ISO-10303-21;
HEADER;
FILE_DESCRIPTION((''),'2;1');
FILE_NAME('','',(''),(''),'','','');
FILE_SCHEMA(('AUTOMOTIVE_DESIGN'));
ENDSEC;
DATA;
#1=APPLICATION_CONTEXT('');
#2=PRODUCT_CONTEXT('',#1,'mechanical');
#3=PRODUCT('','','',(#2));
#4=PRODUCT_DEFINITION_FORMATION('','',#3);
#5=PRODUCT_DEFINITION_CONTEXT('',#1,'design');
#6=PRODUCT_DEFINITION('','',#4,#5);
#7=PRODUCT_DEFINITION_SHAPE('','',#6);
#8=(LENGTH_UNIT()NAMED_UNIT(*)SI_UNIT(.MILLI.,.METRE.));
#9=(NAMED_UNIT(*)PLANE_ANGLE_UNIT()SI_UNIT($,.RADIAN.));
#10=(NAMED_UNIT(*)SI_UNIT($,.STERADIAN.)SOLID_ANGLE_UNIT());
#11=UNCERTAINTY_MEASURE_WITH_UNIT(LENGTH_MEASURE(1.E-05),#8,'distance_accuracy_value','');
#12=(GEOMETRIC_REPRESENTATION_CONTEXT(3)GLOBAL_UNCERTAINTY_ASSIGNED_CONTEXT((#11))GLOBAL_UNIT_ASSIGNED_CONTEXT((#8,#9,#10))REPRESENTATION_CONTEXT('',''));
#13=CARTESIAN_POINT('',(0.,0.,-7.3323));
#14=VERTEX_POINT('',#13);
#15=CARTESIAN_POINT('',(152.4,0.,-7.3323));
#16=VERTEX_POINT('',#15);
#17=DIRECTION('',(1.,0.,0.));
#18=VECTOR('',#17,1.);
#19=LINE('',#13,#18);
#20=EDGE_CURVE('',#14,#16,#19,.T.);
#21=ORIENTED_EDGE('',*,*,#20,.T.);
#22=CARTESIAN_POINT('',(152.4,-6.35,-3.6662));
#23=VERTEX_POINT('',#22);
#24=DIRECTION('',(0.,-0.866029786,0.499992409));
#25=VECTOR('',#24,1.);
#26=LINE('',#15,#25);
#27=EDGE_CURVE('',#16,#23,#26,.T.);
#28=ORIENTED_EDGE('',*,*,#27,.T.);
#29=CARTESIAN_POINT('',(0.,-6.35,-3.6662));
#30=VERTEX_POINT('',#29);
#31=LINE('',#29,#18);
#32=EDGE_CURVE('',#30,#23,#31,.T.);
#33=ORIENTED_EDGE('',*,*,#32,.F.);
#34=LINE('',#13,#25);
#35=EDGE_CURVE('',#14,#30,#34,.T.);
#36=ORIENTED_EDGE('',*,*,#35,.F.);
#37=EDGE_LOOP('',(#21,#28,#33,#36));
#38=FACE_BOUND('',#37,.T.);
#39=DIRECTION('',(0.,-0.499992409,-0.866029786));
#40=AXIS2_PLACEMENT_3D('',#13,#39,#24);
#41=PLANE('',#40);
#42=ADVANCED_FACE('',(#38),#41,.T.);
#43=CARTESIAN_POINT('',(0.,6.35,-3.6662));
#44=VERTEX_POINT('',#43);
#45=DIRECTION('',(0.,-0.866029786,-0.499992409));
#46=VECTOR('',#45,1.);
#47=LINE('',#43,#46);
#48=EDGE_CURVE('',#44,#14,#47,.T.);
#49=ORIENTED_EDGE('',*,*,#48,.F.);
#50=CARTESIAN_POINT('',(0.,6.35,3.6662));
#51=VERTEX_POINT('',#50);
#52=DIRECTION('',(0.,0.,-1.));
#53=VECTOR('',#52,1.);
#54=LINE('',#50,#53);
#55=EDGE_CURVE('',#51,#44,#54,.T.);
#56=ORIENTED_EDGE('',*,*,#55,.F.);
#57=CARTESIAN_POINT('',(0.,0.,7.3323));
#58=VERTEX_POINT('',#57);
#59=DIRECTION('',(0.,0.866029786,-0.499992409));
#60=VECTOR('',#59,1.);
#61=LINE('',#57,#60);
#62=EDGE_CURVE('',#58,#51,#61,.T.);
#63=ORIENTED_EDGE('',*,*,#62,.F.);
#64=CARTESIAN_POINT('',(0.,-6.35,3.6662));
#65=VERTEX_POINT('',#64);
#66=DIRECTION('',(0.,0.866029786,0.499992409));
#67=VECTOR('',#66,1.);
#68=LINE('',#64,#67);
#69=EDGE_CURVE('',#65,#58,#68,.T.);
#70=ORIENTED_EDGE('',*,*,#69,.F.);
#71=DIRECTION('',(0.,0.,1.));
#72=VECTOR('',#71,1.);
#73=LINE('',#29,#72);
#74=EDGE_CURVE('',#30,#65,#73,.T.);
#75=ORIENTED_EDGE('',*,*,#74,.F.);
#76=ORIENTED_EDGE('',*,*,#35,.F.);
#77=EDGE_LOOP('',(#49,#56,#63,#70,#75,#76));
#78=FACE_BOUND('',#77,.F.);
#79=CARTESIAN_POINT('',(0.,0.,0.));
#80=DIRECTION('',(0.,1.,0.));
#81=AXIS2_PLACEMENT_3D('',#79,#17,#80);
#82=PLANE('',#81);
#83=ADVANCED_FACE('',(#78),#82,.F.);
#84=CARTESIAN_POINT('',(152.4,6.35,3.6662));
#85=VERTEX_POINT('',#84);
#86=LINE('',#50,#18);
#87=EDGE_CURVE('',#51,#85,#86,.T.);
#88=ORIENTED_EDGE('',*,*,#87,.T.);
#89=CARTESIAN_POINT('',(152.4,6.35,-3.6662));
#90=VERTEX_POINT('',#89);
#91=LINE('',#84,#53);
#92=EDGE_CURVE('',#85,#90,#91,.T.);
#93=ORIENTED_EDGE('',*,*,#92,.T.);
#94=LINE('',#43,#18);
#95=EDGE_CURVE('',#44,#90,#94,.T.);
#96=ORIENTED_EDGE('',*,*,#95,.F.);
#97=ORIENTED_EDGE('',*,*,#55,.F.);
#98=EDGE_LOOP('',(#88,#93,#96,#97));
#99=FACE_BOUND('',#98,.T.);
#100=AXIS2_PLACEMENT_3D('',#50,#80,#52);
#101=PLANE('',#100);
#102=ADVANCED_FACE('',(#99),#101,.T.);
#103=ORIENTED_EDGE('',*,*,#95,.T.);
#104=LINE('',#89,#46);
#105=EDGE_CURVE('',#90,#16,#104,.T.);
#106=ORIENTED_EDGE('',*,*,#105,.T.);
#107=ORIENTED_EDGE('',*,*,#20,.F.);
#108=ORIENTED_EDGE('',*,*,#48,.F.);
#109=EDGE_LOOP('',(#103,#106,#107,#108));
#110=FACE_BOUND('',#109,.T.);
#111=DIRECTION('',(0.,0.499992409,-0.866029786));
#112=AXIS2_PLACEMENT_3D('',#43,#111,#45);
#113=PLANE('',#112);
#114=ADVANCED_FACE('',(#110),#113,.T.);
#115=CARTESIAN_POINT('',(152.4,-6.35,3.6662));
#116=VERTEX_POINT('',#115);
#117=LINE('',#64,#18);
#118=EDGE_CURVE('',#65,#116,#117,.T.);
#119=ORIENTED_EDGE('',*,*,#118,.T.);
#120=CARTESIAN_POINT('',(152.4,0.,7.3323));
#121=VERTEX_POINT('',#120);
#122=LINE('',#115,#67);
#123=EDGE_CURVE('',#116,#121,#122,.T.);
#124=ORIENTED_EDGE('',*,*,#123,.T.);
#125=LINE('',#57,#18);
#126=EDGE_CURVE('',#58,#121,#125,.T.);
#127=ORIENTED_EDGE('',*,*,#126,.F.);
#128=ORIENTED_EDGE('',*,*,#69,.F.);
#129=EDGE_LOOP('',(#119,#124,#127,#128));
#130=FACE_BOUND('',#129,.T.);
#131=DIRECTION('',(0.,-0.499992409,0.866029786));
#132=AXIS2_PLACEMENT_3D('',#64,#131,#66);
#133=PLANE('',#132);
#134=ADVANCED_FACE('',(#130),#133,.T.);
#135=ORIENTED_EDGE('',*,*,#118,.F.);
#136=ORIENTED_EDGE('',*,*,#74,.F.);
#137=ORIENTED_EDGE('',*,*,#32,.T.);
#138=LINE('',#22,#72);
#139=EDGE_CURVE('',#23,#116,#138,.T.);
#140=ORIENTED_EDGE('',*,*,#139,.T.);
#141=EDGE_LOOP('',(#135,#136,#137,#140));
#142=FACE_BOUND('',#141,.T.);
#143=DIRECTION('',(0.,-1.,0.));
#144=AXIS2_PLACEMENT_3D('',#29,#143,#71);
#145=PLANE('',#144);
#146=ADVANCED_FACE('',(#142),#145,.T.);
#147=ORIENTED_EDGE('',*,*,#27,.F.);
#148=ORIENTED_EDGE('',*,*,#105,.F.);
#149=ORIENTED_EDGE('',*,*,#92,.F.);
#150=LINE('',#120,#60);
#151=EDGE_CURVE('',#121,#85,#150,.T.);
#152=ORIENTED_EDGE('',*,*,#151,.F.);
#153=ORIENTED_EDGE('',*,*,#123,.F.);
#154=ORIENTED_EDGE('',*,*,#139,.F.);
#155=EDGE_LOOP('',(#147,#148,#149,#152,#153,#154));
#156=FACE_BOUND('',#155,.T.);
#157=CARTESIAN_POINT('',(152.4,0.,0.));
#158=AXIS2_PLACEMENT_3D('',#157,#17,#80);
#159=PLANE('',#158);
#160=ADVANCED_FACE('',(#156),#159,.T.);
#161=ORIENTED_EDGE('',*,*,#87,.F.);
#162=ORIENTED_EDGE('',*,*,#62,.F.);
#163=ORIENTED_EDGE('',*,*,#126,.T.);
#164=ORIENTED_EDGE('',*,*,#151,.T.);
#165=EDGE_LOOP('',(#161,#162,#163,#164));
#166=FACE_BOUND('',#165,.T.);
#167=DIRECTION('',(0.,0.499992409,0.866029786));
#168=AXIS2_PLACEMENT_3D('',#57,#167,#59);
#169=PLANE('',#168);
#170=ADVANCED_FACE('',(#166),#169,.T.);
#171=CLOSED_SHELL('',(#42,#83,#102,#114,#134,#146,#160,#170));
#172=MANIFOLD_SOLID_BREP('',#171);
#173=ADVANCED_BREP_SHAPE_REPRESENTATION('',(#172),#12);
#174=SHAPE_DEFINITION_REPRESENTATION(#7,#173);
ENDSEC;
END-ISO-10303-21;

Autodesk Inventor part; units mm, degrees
ref_plane "YZ Plane" through (0, 0, 0) normal (1, 0, 0) x (0, 1, 0)
ref_plane "XZ Plane" through (0, 0, 0) normal (0, 1, 0) x (-1, 0, 0)
ref_plane "XY Plane" through (0, 0, 0) normal (0, 0, 1) x (1, 0, 0)
sketch "Sketch1" plane through (0, 0, 0) normal (1, 0, 0) x (0, 1, 0)
  circle A0 centre (0, 0) radius 6.35 construction
  line L0 (0, 0) -> (6.35, -3.6662) construction
  line L1 (0, 0) -> (7.3323, 0) construction
  line L2 (0, 0) -> (6.35, 3.6662) construction
  line L3 (0, 0) -> (7.3323, 0) construction
  line L4 (0, 0) -> (6.35, 3.6662) construction
  line L5 (0, 0) -> (0, 7.3323) construction
  line L6 (0, 0) -> (-6.35, 3.6662) construction
  line L7 (0, 0) -> (-6.35, -3.6662) construction
  line L8 (0, 0) -> (0, -7.3323) construction
  line L9 (0, 7.3323) -> (6.35, 3.6662)
  line L10 (6.35, 3.6662) -> (6.35, -3.6662)
  line L11 (6.35, -3.6662) -> (0, -7.3323)
  line L12 (0, -7.3323) -> (-6.35, -3.6662)
  line L13 (-6.35, -3.6662) -> (-6.35, 3.6662)
  line L14 (-6.35, 3.6662) -> (0, 7.3323)
  dimension "d0" = 12.7
  dimension "d1" = 30
  dimension "d2" = 30
  dimension "d5" = 360
extrude "Extrusion1" add sketch "Sketch1" along normal blind 152.4
properties part number "axle"
